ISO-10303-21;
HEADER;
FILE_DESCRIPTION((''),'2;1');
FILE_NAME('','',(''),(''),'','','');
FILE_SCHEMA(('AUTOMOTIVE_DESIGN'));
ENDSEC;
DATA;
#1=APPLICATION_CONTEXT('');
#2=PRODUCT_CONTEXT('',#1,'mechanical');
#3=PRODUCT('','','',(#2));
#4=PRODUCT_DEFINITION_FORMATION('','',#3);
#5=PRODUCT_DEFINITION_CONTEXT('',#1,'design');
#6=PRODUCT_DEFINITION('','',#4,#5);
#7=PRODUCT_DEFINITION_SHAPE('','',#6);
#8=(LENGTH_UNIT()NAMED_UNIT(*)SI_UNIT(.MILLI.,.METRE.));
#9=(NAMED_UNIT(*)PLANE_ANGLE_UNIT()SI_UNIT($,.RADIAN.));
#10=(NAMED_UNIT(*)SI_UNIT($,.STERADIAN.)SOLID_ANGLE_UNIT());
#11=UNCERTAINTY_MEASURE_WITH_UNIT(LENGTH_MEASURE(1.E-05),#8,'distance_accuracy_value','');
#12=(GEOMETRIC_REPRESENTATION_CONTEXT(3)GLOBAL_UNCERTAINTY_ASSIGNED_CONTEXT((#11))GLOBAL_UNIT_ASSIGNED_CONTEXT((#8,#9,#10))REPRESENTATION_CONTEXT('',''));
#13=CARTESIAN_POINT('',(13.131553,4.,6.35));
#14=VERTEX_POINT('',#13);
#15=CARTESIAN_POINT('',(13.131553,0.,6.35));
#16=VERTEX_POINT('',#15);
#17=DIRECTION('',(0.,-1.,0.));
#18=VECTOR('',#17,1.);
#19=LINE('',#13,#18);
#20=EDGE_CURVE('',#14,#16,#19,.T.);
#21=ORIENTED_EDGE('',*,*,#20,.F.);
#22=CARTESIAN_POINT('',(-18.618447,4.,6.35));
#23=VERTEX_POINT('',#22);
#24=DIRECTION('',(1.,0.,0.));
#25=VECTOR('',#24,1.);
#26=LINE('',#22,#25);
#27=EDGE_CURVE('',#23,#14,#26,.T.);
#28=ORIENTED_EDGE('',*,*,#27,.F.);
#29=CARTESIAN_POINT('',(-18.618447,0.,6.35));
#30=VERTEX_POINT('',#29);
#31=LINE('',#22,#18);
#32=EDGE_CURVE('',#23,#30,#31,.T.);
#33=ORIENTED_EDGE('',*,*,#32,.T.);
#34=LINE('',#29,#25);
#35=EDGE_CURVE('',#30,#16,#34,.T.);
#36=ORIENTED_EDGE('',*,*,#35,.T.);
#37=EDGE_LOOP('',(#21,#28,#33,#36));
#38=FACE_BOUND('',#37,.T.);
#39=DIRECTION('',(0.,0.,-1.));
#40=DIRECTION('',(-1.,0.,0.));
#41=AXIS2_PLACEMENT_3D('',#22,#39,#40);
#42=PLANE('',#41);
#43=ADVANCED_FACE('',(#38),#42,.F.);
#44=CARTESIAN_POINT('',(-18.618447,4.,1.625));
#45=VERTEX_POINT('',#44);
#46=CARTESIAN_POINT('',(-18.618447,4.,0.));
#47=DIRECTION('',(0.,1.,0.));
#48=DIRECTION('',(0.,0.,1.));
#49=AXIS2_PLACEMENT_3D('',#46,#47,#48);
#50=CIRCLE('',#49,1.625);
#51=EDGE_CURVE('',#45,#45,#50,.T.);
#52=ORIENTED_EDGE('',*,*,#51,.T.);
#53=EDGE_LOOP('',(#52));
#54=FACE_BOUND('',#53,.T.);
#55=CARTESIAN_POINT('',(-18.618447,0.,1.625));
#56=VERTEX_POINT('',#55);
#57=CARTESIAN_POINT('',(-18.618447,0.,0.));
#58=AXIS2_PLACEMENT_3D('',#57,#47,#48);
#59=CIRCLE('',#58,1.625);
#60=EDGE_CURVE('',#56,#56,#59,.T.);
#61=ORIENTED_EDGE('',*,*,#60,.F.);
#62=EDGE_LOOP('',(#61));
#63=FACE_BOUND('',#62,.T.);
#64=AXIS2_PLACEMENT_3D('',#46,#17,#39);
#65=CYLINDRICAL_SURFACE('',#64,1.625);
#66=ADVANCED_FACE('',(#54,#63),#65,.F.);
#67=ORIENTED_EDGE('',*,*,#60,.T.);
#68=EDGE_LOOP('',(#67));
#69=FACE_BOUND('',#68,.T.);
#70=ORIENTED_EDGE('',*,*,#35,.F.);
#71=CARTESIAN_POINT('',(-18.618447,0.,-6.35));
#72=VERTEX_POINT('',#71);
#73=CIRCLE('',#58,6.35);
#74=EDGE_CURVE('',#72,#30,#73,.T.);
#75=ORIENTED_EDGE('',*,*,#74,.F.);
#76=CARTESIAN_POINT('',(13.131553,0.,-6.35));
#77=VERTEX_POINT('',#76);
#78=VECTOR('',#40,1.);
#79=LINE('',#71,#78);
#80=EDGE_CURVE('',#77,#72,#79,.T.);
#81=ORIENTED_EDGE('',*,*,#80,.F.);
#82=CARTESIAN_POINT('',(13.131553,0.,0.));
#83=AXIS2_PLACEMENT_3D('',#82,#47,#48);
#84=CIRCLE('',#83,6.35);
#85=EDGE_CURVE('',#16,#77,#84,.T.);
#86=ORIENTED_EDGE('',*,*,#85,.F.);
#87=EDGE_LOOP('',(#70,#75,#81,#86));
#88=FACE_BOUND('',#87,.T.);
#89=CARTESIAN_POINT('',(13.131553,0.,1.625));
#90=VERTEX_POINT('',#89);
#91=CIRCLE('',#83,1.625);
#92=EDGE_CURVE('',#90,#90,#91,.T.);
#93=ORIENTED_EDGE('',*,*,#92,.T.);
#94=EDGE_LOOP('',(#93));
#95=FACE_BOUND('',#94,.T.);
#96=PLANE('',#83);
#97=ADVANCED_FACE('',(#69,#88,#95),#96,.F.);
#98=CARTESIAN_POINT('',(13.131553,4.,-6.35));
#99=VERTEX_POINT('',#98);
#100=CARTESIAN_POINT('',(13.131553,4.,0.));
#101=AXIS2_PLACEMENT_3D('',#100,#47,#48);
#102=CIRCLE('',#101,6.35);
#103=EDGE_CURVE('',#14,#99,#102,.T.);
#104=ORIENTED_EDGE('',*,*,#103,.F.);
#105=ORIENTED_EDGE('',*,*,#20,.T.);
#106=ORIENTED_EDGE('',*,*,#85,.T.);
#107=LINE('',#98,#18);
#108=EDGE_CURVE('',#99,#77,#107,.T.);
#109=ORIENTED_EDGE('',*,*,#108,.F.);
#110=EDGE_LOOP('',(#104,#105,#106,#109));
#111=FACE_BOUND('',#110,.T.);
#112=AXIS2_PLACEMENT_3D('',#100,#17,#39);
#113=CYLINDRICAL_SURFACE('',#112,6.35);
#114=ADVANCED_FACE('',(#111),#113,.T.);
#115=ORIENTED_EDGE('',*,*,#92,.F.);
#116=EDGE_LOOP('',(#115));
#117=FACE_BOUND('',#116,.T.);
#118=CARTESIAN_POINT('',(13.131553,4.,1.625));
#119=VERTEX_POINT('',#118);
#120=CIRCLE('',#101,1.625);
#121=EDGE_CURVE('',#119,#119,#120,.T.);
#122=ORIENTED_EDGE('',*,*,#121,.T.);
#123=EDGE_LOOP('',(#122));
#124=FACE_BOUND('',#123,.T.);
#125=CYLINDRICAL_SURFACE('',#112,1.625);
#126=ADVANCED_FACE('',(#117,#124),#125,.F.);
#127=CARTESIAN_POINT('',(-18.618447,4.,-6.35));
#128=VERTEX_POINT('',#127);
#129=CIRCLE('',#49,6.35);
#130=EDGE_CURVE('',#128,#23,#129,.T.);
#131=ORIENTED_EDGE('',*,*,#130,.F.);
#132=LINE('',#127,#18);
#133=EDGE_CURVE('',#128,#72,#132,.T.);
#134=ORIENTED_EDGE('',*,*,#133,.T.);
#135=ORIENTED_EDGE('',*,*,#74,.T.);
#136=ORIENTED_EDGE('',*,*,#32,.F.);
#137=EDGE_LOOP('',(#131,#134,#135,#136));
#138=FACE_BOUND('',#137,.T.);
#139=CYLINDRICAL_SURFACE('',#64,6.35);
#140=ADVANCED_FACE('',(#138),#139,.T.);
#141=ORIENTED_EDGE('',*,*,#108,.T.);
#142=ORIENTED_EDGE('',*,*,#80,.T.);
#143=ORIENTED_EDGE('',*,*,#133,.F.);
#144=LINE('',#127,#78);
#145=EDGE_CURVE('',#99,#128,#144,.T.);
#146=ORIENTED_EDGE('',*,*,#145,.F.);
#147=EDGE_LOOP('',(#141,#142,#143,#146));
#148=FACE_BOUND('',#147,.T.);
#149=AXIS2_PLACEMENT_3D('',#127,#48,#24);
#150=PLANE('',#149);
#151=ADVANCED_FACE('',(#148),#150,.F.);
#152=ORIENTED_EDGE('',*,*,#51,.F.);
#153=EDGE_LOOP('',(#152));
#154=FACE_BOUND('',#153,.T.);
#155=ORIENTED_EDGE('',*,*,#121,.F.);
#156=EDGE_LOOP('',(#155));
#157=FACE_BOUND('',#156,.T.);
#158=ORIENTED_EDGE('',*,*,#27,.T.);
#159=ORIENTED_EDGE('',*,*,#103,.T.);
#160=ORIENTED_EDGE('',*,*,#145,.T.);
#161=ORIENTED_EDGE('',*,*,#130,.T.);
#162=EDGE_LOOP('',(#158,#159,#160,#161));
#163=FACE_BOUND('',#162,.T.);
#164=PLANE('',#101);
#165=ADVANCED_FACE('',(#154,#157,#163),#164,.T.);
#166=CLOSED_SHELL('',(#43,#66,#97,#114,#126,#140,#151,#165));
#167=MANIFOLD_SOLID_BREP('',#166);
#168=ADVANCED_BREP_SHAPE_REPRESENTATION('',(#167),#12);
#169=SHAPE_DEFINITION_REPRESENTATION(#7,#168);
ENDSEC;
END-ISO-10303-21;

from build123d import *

# Parameters (mm, degrees)
SKETCH1_R           = 1.625
BOSS_EXTRUDE1_DEPTH = 4


with BuildPart() as part:
    # Sketch1 → Boss-Extrude1 (new body)
    with BuildSketch(Plane(origin=(0, 0, 0), x_dir=(1, 0, 0), z_dir=(0, 1, 0))):
        with BuildLine():
            Line((-18.618446602, -6.35), (13.131553398, -6.35))
            ThreePointArc((13.131553398, -6.35), (19.481553398, 0), (13.131553398, 6.35))
            Line((13.131553398, 6.35), (-18.618446602, 6.35))
            ThreePointArc((-18.618446602, 6.35), (-24.968446602, 0), (-18.618446602, -6.35))
        make_face()
        with Locations((-18.618446602, 0)):
            Circle(SKETCH1_R, mode=Mode.SUBTRACT)
        with Locations((13.131553398, 0)):
            Circle(SKETCH1_R, mode=Mode.SUBTRACT)
    extrude(amount=BOSS_EXTRUDE1_DEPTH)


solid = part.part
